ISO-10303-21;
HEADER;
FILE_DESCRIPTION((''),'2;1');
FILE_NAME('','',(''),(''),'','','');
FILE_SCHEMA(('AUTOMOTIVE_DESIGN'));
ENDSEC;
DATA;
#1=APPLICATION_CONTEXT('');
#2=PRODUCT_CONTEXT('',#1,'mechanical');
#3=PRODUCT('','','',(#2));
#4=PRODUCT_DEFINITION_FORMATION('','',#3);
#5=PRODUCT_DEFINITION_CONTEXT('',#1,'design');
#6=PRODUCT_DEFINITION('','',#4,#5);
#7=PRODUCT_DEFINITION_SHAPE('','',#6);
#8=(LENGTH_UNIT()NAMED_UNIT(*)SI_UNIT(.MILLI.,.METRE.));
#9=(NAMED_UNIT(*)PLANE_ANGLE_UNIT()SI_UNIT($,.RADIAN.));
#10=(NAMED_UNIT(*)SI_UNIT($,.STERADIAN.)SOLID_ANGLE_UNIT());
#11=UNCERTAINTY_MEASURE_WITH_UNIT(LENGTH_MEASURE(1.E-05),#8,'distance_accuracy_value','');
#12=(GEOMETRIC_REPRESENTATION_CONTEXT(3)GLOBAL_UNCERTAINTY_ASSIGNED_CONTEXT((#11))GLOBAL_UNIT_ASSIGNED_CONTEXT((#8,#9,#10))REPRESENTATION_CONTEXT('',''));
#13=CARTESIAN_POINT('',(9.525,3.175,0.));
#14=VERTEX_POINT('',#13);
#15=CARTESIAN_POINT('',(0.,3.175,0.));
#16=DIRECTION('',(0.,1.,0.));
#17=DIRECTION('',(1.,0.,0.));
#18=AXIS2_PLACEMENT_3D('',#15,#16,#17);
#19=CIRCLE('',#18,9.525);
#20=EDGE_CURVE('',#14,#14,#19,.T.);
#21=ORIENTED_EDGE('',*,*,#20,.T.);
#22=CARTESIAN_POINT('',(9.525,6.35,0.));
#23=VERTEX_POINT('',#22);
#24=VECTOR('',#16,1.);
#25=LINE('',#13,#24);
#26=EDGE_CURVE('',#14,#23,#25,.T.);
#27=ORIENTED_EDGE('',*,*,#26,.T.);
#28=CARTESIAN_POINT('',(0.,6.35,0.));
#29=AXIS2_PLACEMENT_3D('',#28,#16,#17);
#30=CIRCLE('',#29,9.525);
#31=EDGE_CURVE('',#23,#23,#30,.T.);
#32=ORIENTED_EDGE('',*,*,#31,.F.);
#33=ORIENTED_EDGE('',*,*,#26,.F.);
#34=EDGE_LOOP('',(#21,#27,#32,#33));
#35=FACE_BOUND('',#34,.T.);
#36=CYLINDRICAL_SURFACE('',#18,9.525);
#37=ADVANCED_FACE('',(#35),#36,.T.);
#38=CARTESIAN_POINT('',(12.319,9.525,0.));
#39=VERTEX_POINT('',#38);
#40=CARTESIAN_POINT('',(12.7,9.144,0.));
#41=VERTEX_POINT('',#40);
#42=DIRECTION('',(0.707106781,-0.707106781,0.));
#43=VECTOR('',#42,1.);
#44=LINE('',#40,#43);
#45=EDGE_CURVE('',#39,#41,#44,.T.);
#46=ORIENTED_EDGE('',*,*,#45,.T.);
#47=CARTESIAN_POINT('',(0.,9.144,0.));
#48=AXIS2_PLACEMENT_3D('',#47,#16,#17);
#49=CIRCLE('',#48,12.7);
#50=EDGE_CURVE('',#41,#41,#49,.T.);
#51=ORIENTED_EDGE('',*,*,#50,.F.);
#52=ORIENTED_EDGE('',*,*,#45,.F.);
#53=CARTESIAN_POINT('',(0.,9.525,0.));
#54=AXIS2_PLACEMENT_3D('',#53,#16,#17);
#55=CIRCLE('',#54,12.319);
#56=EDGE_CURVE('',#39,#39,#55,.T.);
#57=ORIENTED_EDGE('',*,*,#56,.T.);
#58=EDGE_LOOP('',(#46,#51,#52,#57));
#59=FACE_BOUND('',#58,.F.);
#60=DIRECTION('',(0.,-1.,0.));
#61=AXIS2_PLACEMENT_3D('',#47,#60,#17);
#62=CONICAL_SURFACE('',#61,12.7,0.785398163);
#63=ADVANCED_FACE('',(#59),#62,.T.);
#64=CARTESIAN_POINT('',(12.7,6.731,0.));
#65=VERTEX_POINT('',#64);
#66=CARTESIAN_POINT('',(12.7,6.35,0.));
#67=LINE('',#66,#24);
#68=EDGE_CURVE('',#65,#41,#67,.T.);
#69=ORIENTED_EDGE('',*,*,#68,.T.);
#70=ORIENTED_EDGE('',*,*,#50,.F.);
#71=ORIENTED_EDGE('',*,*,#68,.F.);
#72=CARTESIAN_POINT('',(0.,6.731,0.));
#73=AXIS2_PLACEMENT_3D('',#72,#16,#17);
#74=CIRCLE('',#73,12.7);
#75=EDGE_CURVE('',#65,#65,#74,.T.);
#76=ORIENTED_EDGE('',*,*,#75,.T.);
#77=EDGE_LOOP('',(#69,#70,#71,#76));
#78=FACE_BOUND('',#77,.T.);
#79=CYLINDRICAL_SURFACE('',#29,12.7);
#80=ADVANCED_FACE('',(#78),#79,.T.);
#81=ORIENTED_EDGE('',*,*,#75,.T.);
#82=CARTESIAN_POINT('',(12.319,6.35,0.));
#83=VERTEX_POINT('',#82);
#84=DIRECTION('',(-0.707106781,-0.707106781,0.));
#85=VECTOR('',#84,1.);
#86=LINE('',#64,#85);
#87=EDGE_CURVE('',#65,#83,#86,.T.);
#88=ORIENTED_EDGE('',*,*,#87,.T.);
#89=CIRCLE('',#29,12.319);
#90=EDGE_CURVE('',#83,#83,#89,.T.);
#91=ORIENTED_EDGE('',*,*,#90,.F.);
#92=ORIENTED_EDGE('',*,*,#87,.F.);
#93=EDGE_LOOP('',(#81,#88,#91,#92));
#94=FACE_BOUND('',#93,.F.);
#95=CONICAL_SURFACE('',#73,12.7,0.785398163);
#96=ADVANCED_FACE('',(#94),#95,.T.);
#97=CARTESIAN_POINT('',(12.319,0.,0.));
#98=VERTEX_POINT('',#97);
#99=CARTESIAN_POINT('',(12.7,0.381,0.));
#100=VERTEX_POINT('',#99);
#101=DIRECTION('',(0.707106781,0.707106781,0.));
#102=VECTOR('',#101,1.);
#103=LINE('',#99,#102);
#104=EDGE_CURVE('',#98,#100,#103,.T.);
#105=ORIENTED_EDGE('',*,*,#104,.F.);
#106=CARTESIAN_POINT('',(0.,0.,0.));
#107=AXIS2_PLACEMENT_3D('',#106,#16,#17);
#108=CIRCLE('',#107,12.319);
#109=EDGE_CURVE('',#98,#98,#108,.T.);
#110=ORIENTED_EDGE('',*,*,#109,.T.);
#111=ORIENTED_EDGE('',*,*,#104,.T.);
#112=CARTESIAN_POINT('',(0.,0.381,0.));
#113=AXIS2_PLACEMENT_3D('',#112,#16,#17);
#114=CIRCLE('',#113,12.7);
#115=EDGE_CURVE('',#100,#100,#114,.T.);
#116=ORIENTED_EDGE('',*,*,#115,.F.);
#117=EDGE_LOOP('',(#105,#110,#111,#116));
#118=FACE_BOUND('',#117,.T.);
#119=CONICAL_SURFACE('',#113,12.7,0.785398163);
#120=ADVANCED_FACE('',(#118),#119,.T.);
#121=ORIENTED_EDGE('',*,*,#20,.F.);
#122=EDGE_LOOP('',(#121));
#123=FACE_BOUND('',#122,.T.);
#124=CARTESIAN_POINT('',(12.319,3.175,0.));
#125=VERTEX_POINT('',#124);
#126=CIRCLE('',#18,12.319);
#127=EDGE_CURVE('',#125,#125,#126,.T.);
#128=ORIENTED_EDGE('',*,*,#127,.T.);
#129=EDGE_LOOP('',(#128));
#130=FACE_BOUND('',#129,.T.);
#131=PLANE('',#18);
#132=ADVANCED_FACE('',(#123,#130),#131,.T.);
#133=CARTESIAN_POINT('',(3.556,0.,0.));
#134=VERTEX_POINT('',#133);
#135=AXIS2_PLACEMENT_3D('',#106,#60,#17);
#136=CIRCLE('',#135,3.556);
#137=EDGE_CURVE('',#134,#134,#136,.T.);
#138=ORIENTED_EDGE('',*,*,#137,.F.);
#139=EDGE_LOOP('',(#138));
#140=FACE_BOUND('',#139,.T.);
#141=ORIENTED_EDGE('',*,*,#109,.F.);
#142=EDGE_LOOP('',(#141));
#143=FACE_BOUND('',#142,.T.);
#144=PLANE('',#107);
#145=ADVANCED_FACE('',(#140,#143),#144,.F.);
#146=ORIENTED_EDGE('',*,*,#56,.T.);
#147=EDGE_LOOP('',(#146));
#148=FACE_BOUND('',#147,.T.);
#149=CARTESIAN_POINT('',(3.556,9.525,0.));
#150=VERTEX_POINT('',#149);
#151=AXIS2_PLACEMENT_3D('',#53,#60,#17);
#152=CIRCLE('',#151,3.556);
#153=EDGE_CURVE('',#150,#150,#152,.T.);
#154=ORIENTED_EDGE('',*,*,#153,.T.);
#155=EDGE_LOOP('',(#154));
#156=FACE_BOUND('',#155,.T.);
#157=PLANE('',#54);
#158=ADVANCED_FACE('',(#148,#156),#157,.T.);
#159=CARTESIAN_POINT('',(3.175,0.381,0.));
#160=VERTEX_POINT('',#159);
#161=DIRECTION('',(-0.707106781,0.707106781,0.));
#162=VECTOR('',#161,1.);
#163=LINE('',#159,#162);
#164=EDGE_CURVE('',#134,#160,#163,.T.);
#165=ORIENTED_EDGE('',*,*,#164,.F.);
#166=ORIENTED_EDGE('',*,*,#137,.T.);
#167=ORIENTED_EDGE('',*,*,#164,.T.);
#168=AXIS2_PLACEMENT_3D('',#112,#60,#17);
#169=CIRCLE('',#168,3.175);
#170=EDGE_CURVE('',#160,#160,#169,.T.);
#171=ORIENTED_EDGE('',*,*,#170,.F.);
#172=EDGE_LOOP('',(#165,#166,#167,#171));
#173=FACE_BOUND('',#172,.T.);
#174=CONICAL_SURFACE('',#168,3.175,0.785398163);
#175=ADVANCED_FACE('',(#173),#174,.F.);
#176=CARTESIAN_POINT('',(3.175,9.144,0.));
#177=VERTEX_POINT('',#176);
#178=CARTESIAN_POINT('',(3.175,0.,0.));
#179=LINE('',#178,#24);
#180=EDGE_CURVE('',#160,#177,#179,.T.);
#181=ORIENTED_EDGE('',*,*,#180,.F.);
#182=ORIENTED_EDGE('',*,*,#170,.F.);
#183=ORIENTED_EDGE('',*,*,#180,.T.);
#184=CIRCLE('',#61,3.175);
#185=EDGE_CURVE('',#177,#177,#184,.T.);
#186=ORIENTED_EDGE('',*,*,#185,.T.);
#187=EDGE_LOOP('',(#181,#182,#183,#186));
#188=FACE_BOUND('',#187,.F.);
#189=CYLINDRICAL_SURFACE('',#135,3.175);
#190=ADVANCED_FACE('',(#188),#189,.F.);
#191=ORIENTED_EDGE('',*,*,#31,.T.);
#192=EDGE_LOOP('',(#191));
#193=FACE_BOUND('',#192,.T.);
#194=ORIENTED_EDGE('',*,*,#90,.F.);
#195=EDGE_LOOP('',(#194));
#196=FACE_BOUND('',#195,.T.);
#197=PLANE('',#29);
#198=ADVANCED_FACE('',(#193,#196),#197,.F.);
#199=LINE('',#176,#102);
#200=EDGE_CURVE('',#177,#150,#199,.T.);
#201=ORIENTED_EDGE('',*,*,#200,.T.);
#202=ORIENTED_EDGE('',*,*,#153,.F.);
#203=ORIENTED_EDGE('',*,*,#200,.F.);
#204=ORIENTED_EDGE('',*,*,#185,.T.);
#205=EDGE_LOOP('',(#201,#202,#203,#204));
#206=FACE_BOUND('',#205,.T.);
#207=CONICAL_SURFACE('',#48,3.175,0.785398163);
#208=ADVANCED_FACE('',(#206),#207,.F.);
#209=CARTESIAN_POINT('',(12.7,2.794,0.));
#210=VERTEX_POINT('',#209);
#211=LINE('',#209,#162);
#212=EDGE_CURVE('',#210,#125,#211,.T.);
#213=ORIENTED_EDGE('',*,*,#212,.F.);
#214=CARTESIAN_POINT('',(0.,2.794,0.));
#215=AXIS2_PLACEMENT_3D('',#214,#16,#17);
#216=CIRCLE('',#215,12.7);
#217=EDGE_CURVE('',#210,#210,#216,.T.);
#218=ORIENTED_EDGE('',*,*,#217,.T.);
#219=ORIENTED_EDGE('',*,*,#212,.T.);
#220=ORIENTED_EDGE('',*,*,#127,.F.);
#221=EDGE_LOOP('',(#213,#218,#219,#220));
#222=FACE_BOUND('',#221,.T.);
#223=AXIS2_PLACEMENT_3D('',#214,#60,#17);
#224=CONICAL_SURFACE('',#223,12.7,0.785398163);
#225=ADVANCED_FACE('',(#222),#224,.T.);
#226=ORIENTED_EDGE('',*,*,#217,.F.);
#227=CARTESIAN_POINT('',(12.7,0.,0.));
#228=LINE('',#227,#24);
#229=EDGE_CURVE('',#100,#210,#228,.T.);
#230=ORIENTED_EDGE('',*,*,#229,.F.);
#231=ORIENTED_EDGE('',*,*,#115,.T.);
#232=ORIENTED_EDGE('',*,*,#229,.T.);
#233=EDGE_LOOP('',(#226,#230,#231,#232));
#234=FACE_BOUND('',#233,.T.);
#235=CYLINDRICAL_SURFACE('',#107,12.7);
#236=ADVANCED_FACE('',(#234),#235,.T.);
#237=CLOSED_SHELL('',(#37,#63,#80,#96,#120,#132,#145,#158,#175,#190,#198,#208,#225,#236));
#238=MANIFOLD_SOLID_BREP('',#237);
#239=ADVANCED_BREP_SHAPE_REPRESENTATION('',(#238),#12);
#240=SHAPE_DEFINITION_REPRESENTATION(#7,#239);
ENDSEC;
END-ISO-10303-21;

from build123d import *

# Parameters (mm, degrees)
F2_R     = 3.175
F3_DEPTH = 9.526
F4_SIZE  = 0.381


with BuildPart() as f1:
    # F0 (on Top) → F1 (revolve)
    with BuildSketch(Plane.XY):
        Polygon((0, 9.525), (0, 0), (12.7, 0), (12.7, 3.175), (9.525, 3.175), (9.525, 6.35), (12.7, 6.35), (12.7, 9.525), align=None)
    revolve(axis=Axis((0, 4.7625, 0), (0, 1, 0)))

    # F2 (on face) → F3 (cut, through all)
    with BuildSketch(Plane.XZ):
        Circle(F2_R)
    extrude(amount=-F3_DEPTH, mode=Mode.SUBTRACT)

    # F4
    f4_edges = [f1.edges().sort_by_distance(p)[0] for p in [
        (-3.175, 0, 0),
        (-3.175, 9.525, 0),
        (-12.7, 0, 0),
        (-12.7, 3.175, 0),
        (-12.7, 6.35, 0),
        (-12.7, 9.525, 0),
    ]]
    chamfer(f4_edges, length=F4_SIZE)


solid = f1.part
